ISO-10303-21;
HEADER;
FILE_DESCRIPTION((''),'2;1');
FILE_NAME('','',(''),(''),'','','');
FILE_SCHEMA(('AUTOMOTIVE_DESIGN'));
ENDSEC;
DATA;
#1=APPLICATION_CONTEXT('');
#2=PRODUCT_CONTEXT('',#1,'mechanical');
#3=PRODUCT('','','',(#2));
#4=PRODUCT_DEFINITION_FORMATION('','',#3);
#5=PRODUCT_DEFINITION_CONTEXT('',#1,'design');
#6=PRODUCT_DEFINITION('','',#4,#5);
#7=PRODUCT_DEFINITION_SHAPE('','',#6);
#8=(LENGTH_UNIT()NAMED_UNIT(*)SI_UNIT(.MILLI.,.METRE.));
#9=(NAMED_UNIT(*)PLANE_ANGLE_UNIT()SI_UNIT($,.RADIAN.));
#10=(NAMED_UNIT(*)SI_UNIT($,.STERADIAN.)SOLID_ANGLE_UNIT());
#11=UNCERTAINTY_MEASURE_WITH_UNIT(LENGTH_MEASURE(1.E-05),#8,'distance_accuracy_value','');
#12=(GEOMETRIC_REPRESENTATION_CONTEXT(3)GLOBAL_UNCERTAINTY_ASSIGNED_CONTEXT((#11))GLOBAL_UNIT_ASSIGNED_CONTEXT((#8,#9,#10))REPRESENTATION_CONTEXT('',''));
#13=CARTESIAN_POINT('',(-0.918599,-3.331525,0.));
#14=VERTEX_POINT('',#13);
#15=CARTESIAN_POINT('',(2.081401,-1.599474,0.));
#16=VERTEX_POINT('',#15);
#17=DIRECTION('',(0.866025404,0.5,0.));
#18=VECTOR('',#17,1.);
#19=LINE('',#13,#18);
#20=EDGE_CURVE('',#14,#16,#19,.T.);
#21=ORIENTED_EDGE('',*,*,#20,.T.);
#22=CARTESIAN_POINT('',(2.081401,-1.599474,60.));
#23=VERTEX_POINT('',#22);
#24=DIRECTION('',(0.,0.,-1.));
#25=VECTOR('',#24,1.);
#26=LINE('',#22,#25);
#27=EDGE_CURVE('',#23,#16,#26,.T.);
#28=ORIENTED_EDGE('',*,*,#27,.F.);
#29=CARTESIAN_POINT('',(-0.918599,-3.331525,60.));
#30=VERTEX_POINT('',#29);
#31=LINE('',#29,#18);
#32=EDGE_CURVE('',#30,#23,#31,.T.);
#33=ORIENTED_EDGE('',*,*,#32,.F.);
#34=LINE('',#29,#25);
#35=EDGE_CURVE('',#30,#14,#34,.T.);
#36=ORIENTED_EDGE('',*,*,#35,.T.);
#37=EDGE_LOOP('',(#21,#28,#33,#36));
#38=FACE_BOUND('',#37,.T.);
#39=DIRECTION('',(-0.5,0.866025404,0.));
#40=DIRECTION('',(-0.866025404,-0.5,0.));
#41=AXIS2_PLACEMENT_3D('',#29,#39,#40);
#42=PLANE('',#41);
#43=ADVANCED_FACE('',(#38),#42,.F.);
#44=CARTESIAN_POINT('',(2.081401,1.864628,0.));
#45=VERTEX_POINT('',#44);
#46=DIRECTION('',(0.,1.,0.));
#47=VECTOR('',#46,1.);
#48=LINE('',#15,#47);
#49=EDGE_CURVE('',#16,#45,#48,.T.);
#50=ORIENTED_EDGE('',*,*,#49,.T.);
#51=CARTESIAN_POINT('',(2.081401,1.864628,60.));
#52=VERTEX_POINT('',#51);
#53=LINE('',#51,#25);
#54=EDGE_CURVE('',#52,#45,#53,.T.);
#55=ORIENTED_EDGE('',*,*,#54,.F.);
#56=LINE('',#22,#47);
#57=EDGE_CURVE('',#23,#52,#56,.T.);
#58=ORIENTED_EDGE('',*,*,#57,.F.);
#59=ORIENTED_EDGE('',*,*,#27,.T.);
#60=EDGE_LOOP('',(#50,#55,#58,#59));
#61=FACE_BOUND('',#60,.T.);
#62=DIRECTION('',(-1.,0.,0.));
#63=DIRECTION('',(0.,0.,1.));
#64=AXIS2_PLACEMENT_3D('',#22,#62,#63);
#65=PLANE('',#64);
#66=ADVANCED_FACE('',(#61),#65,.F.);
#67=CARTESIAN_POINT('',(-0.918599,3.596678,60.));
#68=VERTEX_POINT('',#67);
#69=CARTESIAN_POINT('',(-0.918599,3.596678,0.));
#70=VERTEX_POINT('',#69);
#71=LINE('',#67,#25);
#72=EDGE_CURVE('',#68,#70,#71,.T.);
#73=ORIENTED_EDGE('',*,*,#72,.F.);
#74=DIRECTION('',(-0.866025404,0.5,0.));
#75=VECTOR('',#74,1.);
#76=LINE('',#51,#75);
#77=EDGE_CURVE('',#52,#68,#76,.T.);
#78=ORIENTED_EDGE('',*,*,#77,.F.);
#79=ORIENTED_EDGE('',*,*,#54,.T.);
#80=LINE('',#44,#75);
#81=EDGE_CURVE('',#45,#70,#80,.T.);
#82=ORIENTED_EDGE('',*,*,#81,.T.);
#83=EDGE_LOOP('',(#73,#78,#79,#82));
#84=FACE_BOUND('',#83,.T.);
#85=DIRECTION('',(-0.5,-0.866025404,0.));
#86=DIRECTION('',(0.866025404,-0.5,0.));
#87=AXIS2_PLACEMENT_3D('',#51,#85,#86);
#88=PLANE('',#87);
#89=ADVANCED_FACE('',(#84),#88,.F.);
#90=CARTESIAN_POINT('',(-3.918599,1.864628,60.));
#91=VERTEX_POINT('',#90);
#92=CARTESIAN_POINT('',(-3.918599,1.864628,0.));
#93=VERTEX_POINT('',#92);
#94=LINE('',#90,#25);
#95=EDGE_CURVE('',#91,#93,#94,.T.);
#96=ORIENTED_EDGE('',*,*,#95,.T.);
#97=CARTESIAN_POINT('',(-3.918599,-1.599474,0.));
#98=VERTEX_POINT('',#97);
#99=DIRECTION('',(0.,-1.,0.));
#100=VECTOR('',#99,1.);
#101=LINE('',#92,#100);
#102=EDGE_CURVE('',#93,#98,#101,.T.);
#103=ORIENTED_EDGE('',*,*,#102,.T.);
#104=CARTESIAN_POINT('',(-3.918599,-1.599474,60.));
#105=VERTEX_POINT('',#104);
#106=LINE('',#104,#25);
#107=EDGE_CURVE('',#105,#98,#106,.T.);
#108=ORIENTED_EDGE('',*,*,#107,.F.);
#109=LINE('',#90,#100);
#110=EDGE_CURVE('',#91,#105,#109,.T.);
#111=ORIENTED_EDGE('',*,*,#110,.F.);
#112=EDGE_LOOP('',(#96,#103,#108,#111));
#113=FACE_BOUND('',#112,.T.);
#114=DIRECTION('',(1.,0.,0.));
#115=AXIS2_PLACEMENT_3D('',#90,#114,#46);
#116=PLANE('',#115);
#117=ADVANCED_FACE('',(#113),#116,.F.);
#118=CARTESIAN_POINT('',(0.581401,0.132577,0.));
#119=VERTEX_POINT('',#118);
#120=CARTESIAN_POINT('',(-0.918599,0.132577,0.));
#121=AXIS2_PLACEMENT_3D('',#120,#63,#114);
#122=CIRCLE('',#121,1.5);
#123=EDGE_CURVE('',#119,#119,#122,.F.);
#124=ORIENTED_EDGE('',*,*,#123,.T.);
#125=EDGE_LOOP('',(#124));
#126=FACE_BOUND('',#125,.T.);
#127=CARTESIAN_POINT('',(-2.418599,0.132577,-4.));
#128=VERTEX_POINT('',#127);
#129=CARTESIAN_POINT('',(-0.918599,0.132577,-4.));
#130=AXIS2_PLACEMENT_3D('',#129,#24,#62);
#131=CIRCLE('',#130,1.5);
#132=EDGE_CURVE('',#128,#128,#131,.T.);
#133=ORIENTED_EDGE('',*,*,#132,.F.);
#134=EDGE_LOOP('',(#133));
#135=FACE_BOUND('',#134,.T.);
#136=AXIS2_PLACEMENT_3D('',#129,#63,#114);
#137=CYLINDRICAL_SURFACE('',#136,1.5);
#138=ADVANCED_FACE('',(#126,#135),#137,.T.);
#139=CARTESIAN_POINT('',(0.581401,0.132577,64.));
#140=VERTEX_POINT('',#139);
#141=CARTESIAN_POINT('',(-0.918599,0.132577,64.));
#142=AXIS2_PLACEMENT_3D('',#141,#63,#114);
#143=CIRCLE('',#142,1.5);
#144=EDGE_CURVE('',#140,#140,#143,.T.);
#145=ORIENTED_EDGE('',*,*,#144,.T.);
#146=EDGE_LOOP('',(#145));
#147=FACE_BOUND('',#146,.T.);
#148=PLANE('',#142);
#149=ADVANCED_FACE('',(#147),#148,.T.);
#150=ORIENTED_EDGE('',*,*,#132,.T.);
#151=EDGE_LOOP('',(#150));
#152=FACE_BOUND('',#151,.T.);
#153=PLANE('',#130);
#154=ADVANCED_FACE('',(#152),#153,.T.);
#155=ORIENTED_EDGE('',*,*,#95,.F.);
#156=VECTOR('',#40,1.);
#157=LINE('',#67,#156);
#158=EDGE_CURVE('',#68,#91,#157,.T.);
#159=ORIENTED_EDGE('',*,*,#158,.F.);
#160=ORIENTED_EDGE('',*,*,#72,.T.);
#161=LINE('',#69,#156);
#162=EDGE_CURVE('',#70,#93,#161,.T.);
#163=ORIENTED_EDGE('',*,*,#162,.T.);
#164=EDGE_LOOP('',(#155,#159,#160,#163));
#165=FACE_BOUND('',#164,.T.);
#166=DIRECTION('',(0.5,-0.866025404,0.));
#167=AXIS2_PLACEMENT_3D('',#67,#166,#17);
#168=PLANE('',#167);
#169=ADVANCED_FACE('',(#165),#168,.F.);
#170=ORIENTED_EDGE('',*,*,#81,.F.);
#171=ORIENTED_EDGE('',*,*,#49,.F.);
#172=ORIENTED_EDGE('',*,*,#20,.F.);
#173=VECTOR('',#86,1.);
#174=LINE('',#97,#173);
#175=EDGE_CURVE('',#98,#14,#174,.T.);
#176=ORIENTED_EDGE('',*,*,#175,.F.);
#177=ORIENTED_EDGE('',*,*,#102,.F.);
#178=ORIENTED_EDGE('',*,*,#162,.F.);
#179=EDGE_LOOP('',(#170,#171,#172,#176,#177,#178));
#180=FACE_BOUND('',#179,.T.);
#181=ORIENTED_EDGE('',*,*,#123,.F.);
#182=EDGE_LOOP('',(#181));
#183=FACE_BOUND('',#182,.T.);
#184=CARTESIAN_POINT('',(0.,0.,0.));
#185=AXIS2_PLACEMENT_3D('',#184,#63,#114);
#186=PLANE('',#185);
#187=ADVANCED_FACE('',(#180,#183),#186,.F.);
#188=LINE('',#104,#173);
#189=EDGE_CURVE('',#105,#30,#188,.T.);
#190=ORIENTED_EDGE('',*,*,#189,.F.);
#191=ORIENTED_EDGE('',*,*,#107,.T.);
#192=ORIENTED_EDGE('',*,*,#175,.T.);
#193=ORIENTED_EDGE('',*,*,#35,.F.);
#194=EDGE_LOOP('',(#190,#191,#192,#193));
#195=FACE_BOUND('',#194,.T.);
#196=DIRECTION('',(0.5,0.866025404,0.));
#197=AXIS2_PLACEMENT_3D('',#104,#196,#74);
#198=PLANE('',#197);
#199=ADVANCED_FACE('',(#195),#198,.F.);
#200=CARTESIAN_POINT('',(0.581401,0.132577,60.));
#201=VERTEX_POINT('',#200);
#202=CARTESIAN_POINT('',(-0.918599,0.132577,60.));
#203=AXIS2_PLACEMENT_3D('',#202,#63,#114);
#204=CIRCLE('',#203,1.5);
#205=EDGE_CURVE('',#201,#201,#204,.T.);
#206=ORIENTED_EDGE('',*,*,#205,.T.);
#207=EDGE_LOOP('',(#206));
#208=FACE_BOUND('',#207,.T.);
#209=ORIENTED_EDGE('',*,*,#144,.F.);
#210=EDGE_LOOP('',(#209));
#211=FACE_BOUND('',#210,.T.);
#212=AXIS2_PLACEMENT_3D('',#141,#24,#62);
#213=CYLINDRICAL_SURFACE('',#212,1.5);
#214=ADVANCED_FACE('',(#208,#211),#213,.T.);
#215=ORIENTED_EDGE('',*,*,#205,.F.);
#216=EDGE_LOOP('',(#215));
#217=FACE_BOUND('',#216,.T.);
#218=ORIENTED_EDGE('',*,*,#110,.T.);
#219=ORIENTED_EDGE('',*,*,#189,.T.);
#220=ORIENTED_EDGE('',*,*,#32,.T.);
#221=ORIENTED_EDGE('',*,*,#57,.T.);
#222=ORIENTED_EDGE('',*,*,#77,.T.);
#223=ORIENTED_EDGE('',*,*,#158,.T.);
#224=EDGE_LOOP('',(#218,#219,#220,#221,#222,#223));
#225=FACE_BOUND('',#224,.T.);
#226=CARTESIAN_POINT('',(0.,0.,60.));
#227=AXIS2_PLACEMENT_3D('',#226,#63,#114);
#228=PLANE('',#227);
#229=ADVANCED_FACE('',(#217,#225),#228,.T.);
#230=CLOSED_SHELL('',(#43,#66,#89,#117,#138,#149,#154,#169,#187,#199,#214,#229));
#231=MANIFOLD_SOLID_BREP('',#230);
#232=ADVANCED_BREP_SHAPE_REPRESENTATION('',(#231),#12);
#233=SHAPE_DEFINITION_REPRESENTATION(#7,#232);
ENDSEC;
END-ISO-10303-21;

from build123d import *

# Parameters (mm, degrees)
BOSS_EXTRUDE1_DEPTH = 60
SKETCH2_R           = 1.5
BOSS_EXTRUDE2_DEPTH = 4
SKETCH3_R           = 1.5
BOSS_EXTRUDE3_DEPTH = 4


with BuildPart() as part:
    # Sketch1 → Boss-Extrude1 (new body)
    with BuildSketch(Plane.XY):
        Polygon((-0.918598934, -3.331524887), (2.081401066, -1.599474079), (2.081401066, 1.864627536), (-0.918598934, 3.596678344), (-3.918598934, 1.864627536), (-3.918598934, -1.599474079), align=None)
    extrude(amount=BOSS_EXTRUDE1_DEPTH)

    # Sketch2 → Boss-Extrude2 (add)
    with BuildSketch(Plane.XY.offset(60)):
        with Locations((-0.918598934, 0.132576728)):
            Circle(SKETCH2_R)
    extrude(amount=BOSS_EXTRUDE2_DEPTH)

    # Sketch3 → Boss-Extrude3 (add)
    with BuildSketch(Plane(origin=(0, 0, 0), x_dir=(-1, 0, 0), z_dir=(0, 0, -1))):
        with Locations((0.918598934, 0.132576728)):
            Circle(SKETCH3_R)
    extrude(amount=BOSS_EXTRUDE3_DEPTH)


solid = part.part
